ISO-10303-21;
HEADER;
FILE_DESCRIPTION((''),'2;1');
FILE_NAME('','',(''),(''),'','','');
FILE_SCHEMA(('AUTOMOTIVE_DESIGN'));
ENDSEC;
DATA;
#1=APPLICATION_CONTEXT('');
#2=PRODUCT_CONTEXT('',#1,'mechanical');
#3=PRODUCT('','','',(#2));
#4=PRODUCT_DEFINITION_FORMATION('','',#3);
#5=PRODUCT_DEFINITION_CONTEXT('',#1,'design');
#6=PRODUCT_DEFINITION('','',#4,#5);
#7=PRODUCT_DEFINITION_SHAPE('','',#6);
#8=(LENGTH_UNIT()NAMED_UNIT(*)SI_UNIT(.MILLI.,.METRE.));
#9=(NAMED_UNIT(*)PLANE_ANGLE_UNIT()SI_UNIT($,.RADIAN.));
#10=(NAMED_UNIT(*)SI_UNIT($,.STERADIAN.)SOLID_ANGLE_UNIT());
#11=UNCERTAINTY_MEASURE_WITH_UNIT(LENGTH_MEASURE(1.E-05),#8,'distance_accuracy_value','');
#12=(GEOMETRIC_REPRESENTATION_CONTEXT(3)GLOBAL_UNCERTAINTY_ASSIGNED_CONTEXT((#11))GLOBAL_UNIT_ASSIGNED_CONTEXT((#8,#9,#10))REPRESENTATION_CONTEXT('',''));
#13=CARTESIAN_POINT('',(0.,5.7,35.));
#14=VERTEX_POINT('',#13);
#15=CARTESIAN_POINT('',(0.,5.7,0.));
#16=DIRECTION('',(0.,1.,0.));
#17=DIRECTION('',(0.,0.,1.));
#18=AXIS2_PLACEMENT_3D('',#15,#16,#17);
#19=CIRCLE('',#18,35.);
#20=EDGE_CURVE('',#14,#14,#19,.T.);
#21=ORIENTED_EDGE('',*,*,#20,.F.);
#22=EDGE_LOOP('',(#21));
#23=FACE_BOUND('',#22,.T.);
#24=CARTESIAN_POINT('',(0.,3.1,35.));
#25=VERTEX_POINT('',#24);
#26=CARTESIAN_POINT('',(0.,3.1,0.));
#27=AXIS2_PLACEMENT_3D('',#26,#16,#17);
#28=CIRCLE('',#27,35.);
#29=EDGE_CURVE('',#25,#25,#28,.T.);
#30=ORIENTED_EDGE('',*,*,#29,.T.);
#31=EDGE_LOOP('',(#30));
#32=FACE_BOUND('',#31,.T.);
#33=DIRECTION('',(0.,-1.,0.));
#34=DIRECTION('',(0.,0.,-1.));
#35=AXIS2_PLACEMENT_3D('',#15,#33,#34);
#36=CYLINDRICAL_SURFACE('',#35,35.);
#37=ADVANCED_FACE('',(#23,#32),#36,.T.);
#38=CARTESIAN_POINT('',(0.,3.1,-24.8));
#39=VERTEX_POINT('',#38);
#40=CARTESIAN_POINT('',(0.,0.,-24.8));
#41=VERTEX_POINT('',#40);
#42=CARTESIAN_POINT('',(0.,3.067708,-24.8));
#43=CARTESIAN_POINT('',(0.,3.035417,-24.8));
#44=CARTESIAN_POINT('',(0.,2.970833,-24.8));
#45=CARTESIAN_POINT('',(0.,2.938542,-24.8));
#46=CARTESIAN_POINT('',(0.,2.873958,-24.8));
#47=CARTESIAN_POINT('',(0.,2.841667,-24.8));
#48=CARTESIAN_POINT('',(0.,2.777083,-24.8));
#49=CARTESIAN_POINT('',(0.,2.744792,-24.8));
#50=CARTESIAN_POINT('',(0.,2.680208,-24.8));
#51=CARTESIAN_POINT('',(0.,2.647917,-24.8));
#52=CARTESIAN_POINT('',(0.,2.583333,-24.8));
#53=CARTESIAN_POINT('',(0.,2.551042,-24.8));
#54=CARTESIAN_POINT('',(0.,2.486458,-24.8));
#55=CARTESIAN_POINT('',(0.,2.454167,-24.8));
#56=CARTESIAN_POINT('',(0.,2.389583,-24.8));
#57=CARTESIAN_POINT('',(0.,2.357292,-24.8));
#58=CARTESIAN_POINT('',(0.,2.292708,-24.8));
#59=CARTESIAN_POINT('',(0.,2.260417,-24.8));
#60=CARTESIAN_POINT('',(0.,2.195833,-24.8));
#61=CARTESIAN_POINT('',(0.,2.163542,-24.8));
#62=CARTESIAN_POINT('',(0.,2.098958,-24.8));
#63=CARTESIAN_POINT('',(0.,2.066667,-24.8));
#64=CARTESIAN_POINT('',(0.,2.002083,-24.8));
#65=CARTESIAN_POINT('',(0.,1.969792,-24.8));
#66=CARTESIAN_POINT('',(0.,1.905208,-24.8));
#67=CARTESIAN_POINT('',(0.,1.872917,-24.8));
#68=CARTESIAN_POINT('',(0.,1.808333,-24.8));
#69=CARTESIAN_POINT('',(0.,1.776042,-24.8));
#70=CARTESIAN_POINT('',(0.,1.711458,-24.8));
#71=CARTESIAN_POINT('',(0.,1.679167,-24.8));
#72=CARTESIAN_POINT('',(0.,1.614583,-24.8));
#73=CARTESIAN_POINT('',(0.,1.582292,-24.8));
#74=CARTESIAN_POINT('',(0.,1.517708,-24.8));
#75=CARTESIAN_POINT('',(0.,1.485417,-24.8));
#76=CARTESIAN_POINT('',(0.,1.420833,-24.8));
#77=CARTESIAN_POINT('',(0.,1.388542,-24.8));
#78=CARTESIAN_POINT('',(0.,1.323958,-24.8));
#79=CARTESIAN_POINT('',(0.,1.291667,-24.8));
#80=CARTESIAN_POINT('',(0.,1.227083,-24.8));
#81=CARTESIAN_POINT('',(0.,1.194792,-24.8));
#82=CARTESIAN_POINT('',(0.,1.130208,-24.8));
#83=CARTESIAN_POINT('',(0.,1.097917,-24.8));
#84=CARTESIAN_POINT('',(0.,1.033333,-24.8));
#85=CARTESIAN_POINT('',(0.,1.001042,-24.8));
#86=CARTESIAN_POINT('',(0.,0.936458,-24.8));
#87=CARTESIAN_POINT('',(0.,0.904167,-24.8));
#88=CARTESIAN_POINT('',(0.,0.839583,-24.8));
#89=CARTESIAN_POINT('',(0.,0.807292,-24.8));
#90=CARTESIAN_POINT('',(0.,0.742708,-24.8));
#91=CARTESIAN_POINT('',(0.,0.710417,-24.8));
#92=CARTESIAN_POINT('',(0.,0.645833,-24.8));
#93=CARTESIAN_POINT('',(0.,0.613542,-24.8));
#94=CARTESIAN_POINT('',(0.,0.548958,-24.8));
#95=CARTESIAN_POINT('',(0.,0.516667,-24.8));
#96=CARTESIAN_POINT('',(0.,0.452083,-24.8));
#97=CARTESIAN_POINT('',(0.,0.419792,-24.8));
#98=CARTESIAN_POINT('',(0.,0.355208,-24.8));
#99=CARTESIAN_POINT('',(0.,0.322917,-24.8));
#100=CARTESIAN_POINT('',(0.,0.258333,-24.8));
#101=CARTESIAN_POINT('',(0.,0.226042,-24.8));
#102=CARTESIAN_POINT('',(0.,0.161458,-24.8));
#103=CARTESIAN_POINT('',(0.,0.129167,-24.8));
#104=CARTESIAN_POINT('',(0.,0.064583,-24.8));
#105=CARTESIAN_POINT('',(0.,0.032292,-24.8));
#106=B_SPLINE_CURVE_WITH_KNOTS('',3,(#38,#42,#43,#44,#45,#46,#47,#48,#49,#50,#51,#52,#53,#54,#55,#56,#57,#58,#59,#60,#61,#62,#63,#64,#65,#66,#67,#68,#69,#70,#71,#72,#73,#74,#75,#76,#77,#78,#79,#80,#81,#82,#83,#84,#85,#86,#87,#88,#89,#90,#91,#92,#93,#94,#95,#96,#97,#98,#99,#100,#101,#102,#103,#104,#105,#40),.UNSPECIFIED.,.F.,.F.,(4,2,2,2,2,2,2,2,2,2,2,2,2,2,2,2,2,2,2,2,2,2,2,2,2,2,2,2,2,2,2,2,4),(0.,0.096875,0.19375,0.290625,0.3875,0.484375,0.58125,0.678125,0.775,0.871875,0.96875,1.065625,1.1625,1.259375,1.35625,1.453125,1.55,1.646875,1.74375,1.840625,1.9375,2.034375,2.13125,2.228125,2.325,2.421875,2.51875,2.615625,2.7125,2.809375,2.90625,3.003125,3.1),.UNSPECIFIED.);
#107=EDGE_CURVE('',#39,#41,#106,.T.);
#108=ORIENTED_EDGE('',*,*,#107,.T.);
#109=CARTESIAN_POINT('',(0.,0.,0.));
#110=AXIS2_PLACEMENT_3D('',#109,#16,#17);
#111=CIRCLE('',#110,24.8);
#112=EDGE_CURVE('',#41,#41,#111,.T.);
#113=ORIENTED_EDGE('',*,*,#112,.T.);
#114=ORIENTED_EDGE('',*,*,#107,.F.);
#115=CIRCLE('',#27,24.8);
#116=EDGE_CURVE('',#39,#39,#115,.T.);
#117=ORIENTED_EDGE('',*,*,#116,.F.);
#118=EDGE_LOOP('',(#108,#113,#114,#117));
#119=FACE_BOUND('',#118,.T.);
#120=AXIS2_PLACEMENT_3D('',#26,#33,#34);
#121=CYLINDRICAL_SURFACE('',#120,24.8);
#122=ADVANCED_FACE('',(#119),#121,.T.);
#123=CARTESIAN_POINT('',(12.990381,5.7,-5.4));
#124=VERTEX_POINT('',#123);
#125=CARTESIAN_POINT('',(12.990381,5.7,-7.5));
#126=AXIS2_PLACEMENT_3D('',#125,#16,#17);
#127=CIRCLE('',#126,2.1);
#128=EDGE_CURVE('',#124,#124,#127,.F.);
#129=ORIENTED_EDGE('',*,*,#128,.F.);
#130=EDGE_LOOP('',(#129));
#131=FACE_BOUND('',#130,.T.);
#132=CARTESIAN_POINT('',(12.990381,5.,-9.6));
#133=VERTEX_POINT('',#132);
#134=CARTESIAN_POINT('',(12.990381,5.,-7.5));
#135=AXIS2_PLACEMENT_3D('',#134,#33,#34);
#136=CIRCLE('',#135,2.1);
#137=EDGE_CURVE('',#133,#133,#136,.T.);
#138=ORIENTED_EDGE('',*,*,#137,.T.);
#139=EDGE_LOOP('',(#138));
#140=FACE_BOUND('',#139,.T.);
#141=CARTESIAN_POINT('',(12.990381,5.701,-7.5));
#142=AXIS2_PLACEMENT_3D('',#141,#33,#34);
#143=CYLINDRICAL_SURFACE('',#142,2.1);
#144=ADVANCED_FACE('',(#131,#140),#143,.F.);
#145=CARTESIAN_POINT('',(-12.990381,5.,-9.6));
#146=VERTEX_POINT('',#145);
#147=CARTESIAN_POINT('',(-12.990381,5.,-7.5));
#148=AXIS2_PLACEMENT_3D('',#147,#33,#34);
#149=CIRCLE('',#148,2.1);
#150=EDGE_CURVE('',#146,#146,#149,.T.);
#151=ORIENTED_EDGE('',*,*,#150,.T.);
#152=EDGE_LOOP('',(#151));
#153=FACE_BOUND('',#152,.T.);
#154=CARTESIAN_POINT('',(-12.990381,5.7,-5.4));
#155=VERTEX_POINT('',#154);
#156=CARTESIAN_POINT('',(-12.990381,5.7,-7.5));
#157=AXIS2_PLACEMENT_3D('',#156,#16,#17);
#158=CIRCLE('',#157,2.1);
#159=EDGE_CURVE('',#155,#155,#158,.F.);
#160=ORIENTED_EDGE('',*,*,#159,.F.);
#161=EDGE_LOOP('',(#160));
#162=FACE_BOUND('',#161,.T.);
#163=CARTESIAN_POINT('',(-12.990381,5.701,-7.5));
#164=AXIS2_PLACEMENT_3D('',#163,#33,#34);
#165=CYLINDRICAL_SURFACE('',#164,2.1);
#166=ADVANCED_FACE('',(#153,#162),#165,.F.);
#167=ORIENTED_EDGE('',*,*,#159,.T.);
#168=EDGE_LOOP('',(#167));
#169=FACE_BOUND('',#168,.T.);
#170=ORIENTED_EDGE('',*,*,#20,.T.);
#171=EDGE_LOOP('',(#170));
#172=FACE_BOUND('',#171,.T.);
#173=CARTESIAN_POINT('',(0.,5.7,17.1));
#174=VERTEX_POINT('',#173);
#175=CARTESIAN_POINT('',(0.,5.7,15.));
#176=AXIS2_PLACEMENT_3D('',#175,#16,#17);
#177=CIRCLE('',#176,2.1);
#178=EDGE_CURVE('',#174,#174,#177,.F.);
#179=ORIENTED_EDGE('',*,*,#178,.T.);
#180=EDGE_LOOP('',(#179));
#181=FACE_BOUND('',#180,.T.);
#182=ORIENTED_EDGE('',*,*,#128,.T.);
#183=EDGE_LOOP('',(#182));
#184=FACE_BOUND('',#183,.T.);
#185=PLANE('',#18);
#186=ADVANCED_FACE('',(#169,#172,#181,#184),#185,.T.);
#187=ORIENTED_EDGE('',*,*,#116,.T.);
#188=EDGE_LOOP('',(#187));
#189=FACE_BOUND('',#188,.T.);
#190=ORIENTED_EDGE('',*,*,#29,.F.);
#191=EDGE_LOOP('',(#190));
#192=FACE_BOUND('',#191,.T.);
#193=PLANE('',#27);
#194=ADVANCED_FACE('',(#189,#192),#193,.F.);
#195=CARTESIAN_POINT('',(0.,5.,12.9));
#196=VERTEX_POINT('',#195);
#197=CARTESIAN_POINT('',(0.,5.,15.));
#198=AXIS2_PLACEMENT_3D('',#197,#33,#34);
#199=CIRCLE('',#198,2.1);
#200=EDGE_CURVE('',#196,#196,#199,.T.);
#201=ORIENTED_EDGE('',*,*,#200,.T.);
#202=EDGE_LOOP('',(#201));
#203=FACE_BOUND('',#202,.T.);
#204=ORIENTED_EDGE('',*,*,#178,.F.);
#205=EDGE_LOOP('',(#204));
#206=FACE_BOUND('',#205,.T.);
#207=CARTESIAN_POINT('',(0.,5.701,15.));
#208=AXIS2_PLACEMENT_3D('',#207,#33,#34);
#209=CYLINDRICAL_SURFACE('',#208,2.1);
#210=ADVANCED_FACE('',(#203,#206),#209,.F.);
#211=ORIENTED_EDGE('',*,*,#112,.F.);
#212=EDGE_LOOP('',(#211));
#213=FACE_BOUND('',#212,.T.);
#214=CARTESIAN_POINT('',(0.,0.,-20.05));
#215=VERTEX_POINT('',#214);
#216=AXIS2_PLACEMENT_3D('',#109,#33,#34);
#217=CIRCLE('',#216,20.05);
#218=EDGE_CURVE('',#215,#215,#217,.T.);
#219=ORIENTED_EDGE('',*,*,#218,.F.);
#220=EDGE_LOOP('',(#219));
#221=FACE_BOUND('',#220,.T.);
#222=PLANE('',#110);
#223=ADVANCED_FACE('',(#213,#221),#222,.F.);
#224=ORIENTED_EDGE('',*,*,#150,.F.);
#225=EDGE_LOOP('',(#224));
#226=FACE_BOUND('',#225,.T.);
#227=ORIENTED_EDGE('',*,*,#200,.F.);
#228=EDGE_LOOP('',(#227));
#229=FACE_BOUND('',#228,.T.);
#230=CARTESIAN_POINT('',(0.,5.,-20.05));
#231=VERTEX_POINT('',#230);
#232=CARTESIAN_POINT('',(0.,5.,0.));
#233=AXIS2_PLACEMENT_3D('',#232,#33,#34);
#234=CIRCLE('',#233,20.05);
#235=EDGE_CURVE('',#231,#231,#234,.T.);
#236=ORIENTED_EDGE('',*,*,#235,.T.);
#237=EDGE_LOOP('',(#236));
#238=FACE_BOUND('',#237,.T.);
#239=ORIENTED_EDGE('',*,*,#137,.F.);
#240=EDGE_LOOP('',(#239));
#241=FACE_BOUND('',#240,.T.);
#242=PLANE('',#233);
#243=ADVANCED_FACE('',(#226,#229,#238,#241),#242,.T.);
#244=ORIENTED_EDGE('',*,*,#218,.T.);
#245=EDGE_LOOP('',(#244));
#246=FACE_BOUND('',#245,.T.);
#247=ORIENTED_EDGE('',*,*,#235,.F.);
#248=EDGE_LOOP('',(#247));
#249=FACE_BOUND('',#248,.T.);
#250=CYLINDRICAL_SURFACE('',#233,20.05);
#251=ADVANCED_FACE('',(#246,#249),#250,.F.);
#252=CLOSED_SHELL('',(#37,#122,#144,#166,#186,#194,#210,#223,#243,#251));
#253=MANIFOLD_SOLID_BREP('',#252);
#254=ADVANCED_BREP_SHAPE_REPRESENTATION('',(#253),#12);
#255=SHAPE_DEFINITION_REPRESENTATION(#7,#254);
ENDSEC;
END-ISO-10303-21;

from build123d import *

# Parameters (mm, degrees)
SKETCH1_R           = 24.8
BOSS_EXTRUDE1_DEPTH = 3.1
SKETCH2_R           = 35
BOSS_EXTRUDE2_DEPTH = 2.6
SKETCH3_R           = 20.05
CUT_EXTRUDE1_DEPTH  = 5
CUT_EXTRUDE2_REACH  = 51.749
SKETCH4_R           = 2.1


with BuildPart() as part:
    # Sketch1 → Boss-Extrude1 (new body)
    with BuildSketch(Plane(origin=(0, 0, 0), x_dir=(1, 0, 0), z_dir=(0, 1, 0))):
        with Locations(Location((0, 0, 0), (0, 0, 90))):
            Circle(SKETCH1_R)
    extrude(amount=BOSS_EXTRUDE1_DEPTH)

    # Sketch2 → Boss-Extrude2 (add)
    with BuildSketch(Plane(origin=(0, 3.1, 0), x_dir=(1, 0, 0), z_dir=(0, 1, 0))):
        with Locations(Location((0, 0, 0), (0, 0, 270))):
            Circle(SKETCH2_R)
    extrude(amount=BOSS_EXTRUDE2_DEPTH)

    # Sketch3 → Cut-Extrude1 (cut)
    with BuildSketch(Plane.XZ):
        with Locations(Location((0, 0, 0), (0, 0, 270))):
            Circle(SKETCH3_R)
    extrude(amount=-CUT_EXTRUDE1_DEPTH, mode=Mode.SUBTRACT)

    # Sketch4 → Cut-Extrude2 (cut, up to next)
    with BuildSketch(Plane.XZ.offset(-5), mode=Mode.PRIVATE) as cut_extrude2_sk1:
        with Locations(Location((0, 15, 0), (0, 0, 270))):
            Circle(SKETCH4_R)
    cut_extrude2_tool1 = extrude(cut_extrude2_sk1.sketch, amount=-CUT_EXTRUDE2_REACH, mode=Mode.PRIVATE) & part.part
    # Sketch4 → Cut-Extrude2 (cut, up to next)
    with BuildSketch(Plane.XZ.offset(-5), mode=Mode.PRIVATE) as cut_extrude2_sk2:
        with Locations(Location((-12.990381057, -7.5, 0), (0, 0, 270))):
            Circle(SKETCH4_R)
    cut_extrude2_tool2 = extrude(cut_extrude2_sk2.sketch, amount=-CUT_EXTRUDE2_REACH, mode=Mode.PRIVATE) & part.part
    # Sketch4 → Cut-Extrude2 (cut, up to next)
    with BuildSketch(Plane.XZ.offset(-5), mode=Mode.PRIVATE) as cut_extrude2_sk3:
        with Locations(Location((12.990381057, -7.5, 0), (0, 0, 270))):
            Circle(SKETCH4_R)
    cut_extrude2_tool3 = extrude(cut_extrude2_sk3.sketch, amount=-CUT_EXTRUDE2_REACH, mode=Mode.PRIVATE) & part.part
    add(cut_extrude2_tool1.solids().sort_by_distance((0, 5, 15))[0], mode=Mode.SUBTRACT)
    add(cut_extrude2_tool2.solids().sort_by_distance((-12.990381, 5, -7.5))[0], mode=Mode.SUBTRACT)
    add(cut_extrude2_tool3.solids().sort_by_distance((12.990381, 5, -7.5))[0], mode=Mode.SUBTRACT)


solid = part.part
